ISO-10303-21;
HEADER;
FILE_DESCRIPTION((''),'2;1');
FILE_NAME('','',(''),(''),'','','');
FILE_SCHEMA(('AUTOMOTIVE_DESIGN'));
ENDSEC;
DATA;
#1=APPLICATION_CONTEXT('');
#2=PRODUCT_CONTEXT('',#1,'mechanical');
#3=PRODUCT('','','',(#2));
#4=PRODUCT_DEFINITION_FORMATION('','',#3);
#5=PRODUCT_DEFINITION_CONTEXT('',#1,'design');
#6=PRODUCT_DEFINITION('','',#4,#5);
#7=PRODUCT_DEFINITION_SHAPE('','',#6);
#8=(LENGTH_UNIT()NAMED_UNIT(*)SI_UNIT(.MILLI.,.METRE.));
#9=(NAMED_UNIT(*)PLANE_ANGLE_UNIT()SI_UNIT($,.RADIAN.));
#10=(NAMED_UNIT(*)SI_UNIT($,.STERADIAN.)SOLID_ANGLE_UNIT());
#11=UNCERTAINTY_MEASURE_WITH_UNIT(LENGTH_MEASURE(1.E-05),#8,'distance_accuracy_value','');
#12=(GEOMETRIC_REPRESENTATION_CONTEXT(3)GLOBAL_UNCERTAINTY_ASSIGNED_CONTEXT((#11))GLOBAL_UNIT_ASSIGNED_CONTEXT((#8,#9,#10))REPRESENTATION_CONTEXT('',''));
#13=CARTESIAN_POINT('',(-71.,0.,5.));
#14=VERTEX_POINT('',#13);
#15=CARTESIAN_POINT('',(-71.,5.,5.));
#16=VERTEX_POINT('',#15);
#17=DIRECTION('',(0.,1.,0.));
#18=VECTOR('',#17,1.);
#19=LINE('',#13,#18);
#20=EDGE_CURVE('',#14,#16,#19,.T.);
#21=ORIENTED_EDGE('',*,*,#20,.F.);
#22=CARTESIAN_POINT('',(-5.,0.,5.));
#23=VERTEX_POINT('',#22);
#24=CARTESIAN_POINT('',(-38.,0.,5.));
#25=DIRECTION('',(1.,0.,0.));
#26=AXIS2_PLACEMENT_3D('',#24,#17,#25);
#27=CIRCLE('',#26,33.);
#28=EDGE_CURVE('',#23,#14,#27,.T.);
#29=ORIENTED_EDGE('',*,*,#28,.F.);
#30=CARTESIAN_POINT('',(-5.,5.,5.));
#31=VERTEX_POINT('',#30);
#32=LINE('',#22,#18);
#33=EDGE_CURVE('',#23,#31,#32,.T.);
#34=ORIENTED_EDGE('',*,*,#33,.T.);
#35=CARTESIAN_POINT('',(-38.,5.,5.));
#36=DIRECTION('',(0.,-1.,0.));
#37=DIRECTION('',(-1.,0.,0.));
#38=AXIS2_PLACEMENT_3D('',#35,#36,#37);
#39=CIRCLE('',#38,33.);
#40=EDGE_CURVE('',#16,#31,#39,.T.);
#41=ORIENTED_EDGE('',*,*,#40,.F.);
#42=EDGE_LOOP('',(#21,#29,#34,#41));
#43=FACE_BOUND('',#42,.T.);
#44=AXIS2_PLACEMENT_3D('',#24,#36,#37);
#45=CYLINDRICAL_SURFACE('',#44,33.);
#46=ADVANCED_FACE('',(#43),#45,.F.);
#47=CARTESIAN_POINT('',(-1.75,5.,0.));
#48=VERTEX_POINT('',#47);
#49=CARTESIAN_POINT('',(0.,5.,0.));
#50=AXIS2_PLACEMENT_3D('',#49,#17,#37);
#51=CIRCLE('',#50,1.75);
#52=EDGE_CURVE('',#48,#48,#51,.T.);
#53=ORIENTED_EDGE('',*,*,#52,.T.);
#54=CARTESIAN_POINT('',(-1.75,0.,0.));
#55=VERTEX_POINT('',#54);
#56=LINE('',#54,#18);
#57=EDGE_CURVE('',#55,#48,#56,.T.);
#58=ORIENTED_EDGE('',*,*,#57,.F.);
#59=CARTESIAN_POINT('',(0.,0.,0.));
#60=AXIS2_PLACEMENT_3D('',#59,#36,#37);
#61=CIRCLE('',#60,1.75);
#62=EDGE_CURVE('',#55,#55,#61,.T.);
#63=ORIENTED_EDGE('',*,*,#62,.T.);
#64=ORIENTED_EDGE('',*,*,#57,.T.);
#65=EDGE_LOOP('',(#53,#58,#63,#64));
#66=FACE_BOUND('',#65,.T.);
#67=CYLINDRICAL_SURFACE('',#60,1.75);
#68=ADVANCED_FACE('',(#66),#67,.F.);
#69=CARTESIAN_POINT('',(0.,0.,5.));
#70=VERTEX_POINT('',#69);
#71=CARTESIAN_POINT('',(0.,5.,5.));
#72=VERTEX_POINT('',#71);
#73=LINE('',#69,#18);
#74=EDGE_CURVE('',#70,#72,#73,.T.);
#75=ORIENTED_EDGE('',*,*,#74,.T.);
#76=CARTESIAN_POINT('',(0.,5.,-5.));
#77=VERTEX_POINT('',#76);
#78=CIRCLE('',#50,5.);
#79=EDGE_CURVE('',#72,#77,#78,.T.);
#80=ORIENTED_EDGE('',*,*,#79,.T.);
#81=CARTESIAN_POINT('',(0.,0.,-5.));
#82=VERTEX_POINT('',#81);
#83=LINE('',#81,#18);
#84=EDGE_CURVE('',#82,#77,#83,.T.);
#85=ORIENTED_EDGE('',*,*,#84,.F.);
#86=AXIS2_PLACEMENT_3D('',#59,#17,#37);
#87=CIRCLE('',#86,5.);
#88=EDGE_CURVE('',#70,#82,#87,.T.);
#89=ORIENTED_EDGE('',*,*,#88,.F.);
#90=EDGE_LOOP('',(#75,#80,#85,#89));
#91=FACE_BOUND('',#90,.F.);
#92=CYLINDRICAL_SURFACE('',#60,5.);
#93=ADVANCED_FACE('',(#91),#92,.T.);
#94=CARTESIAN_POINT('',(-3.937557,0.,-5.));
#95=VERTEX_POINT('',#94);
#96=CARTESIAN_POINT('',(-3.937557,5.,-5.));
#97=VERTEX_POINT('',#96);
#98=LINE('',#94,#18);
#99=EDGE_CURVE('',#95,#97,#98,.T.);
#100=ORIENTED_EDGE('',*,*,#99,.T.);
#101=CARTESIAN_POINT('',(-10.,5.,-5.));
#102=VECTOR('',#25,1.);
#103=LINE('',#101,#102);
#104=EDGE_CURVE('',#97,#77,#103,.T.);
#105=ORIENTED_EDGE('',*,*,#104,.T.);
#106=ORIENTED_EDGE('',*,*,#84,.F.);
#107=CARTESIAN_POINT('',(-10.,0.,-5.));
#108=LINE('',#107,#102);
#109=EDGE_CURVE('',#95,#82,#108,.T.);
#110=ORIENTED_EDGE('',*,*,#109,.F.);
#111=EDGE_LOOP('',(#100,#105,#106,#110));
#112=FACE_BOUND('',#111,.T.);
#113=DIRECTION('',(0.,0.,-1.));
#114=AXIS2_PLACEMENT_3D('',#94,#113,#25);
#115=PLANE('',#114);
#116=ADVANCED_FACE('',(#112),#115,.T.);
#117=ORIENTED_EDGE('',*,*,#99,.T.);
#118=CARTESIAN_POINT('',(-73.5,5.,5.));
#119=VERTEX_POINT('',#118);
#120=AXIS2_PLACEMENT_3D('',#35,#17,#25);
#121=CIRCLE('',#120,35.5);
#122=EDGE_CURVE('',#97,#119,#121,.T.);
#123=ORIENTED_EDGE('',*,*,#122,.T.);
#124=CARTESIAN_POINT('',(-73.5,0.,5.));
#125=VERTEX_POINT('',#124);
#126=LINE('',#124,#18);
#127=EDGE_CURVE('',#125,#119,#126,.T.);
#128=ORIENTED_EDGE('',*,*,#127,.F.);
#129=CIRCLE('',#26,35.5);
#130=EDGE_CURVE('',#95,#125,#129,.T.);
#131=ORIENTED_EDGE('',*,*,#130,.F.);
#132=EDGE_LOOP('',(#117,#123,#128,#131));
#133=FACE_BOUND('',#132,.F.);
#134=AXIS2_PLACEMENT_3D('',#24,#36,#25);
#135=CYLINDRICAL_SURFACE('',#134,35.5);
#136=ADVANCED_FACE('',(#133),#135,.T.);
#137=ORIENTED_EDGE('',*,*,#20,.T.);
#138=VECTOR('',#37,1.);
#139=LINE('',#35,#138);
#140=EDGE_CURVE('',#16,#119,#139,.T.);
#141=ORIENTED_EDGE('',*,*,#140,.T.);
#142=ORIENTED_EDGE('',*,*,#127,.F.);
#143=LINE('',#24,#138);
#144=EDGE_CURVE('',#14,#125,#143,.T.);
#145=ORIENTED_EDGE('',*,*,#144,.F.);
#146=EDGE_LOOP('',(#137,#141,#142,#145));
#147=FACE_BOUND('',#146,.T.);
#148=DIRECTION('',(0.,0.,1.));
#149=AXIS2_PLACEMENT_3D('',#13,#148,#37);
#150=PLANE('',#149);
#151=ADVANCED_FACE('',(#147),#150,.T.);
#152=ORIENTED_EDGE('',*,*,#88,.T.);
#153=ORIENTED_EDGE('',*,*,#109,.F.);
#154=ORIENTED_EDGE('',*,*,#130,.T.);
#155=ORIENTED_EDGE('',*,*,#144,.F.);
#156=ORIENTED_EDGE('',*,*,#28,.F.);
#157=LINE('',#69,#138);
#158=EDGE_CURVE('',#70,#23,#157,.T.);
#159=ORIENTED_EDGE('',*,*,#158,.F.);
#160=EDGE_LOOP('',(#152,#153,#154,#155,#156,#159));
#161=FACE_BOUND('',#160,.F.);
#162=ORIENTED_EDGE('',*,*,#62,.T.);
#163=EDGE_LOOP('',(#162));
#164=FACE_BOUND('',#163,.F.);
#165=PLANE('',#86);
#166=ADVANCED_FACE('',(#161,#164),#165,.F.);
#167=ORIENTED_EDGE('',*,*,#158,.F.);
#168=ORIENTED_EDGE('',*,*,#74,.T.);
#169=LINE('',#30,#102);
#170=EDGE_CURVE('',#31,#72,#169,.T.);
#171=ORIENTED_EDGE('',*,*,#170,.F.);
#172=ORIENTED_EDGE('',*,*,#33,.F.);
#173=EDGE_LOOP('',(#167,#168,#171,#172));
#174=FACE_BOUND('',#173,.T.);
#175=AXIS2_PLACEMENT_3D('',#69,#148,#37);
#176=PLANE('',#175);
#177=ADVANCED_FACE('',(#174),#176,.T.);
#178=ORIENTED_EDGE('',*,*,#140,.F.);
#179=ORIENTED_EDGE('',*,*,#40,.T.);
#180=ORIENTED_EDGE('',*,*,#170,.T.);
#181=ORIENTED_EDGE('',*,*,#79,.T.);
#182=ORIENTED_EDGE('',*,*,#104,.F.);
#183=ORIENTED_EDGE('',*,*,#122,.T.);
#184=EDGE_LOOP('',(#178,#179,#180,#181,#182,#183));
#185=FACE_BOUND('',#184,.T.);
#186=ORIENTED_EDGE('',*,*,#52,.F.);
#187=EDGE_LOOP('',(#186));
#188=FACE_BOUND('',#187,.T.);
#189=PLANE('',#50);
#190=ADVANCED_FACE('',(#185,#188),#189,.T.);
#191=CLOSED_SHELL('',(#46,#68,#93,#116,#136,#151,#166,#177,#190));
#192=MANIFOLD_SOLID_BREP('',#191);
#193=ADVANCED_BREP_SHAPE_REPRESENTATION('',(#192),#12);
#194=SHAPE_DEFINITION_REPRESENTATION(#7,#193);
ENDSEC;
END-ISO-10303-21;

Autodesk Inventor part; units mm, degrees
ref_plane "YZ Plane" through (0, 0, 0) normal (1, 0, 0) x (0, 1, 0)
ref_plane "XZ Plane" through (0, 0, 0) normal (0, 1, 0) x (-1, 0, 0)
ref_plane "XY Plane" through (0, 0, 0) normal (0, 0, 1) x (1, 0, 0)
sketch "Sketch1" plane through (0, 0, 0) normal (0, 1, 0) x (-1, 0, 0)
  circle A0 centre (0, 0) radius 1.75
  circle A1 centre (0, 0) radius 5
  line L0 (0, 5) -> (10, 5)
  line L1 (10, 5) -> (10, -5)
  line L2 (10, -5) -> (0, -5)
  line L3 (0, -5) -> (0, 5)
  line L4 (10, 5) -> (38, 5)
  line L5 (10, -5) -> (38, -5)
  circle A2 centre (38, 5) radius 33
  arc A3 (2.5, 5) -> (73.5, 5) centre (38, 5) ccw
  line L6 (38, 5) -> (73.5, 5)
  point P0 (3.9376, -5)
  point P1 (71, 5)
  point P2 (5, 5)
  dimension "d1" = 10
  dimension "d0" = 3.5
  dimension "d2" = 10
  dimension "d3" = 28
  dimension "d4" = 28
  dimension "d5" = 66
  dimension "d6" = 71
extrude "Extrusion1" add sketch "Sketch1" along normal blind 5 contours A0 L3 A1 A3 | A0 L3 A1 | L0 A3 A1 | A1 A3 L2 | A3 L0 A2 L2 A1 | A1 A3 | L2 A2 L6 A3
properties part number "claw"
